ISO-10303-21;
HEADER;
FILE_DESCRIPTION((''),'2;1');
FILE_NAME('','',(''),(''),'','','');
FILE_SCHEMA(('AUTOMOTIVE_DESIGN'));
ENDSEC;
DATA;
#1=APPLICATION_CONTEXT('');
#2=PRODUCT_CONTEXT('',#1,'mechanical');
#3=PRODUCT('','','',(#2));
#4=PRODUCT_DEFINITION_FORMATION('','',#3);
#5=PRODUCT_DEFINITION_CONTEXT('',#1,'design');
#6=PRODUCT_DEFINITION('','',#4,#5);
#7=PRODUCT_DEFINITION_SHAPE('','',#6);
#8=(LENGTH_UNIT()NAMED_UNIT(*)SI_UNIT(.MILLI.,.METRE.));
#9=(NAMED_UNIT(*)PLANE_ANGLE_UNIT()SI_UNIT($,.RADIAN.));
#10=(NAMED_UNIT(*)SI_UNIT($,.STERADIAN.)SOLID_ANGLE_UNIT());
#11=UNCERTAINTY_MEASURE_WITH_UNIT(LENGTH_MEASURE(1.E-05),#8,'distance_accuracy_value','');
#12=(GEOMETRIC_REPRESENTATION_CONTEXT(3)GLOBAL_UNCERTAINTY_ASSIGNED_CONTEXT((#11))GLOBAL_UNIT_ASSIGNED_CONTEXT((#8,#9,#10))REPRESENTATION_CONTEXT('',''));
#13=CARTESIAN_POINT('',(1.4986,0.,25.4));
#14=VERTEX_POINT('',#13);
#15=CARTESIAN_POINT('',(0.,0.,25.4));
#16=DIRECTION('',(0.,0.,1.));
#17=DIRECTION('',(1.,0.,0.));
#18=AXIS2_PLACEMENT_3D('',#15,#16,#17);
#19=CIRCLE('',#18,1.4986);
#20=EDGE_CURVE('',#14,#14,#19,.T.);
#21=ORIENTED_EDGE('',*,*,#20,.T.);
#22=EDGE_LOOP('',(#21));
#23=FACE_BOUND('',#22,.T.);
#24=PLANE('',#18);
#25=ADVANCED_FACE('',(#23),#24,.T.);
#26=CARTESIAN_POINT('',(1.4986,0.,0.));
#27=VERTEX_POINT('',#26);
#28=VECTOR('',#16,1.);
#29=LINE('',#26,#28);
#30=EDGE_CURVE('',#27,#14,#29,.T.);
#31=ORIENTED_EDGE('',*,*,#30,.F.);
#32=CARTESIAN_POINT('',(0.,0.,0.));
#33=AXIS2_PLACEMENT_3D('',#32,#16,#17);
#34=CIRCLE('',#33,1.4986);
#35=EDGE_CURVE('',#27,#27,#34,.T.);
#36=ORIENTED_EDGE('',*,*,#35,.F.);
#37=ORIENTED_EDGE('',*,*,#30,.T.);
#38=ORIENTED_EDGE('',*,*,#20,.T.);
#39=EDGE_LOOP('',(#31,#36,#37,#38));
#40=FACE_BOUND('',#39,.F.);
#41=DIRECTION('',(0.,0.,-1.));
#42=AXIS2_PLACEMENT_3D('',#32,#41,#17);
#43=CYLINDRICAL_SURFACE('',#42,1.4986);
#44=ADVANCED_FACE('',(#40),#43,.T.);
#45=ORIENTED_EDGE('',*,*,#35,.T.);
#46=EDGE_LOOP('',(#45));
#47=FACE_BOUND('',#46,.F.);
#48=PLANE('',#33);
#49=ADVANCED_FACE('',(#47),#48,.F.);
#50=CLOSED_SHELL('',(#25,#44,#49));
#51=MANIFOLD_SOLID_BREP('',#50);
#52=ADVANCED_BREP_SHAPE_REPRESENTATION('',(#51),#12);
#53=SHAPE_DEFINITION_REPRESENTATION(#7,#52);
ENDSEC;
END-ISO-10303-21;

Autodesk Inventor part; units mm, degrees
ref_plane "YZ Plane" through (0, 0, 0) normal (1, 0, 0) x (0, 1, 0)
ref_plane "XZ Plane" through (0, 0, 0) normal (0, 1, 0) x (-1, 0, 0)
ref_plane "XY Plane" through (0, 0, 0) normal (0, 0, 1) x (1, 0, 0)
sketch "Sketch1" plane through (0, 0, 0) normal (0, 0, 1) x (1, 0, 0)
  circle A0 centre (0, 0) radius 1.4986
  dimension "d0" = 2.9972
  dimension "d0" = 2.9972
extrude "Extrusion1" add sketch "Sketch1" along normal blind 25.4
properties part number "Jig_pin_p118"
